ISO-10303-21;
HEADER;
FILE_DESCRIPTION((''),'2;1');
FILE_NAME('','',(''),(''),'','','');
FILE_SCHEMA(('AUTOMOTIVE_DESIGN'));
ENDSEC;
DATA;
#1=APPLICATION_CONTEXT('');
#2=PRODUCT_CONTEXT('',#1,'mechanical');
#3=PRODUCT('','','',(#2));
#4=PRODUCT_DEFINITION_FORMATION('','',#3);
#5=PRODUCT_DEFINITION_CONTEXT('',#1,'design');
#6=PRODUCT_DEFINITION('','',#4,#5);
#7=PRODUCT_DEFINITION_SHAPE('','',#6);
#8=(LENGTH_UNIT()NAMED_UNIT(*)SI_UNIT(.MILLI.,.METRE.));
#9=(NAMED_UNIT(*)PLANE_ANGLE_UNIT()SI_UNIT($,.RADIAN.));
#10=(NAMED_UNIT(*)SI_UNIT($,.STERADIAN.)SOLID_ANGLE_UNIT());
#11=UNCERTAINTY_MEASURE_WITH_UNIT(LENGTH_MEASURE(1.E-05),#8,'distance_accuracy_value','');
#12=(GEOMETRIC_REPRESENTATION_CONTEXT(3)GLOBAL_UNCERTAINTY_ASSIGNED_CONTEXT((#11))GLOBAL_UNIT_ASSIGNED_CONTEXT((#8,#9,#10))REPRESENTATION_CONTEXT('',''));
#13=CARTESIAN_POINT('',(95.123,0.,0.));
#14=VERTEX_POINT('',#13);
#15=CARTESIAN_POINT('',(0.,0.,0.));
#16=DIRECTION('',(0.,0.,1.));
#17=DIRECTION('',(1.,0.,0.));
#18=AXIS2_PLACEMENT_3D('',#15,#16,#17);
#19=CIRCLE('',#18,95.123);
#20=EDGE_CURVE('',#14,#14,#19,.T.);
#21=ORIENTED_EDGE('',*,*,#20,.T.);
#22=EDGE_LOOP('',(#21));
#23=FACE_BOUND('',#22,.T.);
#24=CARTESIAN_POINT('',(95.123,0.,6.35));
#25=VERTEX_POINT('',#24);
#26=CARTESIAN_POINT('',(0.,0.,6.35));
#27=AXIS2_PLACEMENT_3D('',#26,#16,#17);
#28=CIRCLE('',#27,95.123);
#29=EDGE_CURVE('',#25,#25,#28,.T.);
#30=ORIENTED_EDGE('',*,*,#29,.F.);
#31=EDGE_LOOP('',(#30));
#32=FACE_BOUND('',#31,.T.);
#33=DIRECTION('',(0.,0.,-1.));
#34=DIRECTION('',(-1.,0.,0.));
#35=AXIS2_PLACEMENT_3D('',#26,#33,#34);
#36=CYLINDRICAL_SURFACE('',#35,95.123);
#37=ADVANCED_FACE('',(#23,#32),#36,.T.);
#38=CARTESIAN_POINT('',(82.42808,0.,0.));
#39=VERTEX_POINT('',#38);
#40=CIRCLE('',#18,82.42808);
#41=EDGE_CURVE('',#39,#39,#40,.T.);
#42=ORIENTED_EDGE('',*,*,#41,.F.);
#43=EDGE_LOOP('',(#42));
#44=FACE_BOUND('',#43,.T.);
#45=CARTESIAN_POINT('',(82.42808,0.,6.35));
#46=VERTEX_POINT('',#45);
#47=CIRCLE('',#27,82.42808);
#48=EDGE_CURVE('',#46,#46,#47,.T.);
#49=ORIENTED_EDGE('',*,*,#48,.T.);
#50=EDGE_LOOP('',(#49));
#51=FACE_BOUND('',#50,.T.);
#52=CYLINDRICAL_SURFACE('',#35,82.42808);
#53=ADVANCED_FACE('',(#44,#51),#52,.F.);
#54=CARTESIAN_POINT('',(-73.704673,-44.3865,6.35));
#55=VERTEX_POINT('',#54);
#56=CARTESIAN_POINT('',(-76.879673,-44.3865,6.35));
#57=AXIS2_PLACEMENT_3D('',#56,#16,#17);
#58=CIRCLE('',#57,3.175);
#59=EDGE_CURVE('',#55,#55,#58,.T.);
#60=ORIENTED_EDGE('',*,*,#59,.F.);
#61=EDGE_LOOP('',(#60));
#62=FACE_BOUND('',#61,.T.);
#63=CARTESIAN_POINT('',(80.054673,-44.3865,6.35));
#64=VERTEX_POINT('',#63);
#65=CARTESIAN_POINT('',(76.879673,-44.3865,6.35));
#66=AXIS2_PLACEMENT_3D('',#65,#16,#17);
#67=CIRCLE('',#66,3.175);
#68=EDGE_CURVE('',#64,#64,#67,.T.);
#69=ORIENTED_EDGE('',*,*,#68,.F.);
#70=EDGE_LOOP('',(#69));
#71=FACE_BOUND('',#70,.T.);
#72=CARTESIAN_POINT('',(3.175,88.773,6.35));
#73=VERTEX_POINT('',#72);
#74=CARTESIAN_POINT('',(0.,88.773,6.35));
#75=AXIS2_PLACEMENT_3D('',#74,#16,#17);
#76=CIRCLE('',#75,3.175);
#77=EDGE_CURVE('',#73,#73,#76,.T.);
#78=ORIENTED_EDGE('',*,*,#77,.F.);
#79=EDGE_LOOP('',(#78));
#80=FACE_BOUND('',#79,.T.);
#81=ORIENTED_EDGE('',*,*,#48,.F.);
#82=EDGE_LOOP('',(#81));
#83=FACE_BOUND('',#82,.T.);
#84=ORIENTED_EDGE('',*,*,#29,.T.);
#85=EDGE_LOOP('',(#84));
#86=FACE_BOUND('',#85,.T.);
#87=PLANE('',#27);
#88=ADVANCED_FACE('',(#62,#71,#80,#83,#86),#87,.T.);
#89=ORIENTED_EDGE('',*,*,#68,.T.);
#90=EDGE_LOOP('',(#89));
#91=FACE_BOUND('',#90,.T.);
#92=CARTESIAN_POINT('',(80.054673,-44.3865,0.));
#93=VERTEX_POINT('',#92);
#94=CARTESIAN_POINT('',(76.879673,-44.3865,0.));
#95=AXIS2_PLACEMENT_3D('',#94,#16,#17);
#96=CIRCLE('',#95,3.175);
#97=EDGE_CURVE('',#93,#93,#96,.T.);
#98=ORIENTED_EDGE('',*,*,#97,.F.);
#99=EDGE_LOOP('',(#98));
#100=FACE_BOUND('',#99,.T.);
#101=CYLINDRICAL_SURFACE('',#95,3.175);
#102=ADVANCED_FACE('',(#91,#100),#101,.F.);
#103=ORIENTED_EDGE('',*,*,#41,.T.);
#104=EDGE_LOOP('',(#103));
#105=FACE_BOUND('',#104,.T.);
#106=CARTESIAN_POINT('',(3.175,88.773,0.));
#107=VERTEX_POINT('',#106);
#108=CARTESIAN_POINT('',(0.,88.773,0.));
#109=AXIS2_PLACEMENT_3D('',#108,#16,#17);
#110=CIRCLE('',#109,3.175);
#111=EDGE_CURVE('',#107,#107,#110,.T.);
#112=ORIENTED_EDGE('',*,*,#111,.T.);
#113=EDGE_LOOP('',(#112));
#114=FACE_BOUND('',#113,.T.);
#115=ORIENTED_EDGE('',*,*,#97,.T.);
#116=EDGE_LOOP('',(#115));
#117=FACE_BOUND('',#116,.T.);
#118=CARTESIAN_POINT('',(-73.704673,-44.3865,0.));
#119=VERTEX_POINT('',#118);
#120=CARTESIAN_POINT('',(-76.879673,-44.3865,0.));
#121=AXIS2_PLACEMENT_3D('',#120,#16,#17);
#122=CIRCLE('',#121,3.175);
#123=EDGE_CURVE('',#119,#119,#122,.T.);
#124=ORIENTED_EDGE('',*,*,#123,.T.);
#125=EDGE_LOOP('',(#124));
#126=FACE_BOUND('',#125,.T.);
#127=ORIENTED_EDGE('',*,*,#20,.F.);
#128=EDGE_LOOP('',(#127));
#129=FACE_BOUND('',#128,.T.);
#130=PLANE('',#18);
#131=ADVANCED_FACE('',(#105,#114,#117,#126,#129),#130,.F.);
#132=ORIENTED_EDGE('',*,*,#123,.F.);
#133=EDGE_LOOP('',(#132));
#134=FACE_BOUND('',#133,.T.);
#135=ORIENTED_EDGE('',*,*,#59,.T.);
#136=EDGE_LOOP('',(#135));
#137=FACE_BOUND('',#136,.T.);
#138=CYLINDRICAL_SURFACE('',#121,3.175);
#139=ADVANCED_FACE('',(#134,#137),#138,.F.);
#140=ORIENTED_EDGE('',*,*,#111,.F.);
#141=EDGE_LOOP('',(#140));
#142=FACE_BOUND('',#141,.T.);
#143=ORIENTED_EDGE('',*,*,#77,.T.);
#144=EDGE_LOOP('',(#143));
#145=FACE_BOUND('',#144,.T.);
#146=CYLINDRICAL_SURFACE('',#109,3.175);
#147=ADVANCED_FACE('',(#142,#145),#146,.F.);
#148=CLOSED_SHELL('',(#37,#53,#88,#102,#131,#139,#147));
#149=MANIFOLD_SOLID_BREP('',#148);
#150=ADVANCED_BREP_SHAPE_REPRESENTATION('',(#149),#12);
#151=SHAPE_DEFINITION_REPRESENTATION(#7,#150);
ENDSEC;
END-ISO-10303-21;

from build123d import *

# Parameters (mm, degrees)
SKETCH1_R           = 95.123
SKETCH1_R_2         = 82.42808
BOSS_EXTRUDE1_DEPTH = 6.35
SKETCH2_R           = 3.175
CUT_EXTRUDE1_DEPTH  = 135.674024066


with BuildPart() as part:
    # Sketch1 → Boss-Extrude1 (new body)
    with BuildSketch(Plane.XY):
        Circle(SKETCH1_R)
        Circle(SKETCH1_R_2, mode=Mode.SUBTRACT)
    extrude(amount=BOSS_EXTRUDE1_DEPTH)

    # Sketch2 → Cut-Extrude1 (cut, through all)
    with BuildSketch(Plane.XY.offset(6.35)):
        with Locations((0, 88.773)):
            Circle(SKETCH2_R)
        with Locations((76.87967317, -44.3865)):
            Circle(SKETCH2_R)
        with Locations((-76.87967317, -44.3865)):
            Circle(SKETCH2_R)
    extrude(amount=-CUT_EXTRUDE1_DEPTH, mode=Mode.SUBTRACT)


solid = part.part
